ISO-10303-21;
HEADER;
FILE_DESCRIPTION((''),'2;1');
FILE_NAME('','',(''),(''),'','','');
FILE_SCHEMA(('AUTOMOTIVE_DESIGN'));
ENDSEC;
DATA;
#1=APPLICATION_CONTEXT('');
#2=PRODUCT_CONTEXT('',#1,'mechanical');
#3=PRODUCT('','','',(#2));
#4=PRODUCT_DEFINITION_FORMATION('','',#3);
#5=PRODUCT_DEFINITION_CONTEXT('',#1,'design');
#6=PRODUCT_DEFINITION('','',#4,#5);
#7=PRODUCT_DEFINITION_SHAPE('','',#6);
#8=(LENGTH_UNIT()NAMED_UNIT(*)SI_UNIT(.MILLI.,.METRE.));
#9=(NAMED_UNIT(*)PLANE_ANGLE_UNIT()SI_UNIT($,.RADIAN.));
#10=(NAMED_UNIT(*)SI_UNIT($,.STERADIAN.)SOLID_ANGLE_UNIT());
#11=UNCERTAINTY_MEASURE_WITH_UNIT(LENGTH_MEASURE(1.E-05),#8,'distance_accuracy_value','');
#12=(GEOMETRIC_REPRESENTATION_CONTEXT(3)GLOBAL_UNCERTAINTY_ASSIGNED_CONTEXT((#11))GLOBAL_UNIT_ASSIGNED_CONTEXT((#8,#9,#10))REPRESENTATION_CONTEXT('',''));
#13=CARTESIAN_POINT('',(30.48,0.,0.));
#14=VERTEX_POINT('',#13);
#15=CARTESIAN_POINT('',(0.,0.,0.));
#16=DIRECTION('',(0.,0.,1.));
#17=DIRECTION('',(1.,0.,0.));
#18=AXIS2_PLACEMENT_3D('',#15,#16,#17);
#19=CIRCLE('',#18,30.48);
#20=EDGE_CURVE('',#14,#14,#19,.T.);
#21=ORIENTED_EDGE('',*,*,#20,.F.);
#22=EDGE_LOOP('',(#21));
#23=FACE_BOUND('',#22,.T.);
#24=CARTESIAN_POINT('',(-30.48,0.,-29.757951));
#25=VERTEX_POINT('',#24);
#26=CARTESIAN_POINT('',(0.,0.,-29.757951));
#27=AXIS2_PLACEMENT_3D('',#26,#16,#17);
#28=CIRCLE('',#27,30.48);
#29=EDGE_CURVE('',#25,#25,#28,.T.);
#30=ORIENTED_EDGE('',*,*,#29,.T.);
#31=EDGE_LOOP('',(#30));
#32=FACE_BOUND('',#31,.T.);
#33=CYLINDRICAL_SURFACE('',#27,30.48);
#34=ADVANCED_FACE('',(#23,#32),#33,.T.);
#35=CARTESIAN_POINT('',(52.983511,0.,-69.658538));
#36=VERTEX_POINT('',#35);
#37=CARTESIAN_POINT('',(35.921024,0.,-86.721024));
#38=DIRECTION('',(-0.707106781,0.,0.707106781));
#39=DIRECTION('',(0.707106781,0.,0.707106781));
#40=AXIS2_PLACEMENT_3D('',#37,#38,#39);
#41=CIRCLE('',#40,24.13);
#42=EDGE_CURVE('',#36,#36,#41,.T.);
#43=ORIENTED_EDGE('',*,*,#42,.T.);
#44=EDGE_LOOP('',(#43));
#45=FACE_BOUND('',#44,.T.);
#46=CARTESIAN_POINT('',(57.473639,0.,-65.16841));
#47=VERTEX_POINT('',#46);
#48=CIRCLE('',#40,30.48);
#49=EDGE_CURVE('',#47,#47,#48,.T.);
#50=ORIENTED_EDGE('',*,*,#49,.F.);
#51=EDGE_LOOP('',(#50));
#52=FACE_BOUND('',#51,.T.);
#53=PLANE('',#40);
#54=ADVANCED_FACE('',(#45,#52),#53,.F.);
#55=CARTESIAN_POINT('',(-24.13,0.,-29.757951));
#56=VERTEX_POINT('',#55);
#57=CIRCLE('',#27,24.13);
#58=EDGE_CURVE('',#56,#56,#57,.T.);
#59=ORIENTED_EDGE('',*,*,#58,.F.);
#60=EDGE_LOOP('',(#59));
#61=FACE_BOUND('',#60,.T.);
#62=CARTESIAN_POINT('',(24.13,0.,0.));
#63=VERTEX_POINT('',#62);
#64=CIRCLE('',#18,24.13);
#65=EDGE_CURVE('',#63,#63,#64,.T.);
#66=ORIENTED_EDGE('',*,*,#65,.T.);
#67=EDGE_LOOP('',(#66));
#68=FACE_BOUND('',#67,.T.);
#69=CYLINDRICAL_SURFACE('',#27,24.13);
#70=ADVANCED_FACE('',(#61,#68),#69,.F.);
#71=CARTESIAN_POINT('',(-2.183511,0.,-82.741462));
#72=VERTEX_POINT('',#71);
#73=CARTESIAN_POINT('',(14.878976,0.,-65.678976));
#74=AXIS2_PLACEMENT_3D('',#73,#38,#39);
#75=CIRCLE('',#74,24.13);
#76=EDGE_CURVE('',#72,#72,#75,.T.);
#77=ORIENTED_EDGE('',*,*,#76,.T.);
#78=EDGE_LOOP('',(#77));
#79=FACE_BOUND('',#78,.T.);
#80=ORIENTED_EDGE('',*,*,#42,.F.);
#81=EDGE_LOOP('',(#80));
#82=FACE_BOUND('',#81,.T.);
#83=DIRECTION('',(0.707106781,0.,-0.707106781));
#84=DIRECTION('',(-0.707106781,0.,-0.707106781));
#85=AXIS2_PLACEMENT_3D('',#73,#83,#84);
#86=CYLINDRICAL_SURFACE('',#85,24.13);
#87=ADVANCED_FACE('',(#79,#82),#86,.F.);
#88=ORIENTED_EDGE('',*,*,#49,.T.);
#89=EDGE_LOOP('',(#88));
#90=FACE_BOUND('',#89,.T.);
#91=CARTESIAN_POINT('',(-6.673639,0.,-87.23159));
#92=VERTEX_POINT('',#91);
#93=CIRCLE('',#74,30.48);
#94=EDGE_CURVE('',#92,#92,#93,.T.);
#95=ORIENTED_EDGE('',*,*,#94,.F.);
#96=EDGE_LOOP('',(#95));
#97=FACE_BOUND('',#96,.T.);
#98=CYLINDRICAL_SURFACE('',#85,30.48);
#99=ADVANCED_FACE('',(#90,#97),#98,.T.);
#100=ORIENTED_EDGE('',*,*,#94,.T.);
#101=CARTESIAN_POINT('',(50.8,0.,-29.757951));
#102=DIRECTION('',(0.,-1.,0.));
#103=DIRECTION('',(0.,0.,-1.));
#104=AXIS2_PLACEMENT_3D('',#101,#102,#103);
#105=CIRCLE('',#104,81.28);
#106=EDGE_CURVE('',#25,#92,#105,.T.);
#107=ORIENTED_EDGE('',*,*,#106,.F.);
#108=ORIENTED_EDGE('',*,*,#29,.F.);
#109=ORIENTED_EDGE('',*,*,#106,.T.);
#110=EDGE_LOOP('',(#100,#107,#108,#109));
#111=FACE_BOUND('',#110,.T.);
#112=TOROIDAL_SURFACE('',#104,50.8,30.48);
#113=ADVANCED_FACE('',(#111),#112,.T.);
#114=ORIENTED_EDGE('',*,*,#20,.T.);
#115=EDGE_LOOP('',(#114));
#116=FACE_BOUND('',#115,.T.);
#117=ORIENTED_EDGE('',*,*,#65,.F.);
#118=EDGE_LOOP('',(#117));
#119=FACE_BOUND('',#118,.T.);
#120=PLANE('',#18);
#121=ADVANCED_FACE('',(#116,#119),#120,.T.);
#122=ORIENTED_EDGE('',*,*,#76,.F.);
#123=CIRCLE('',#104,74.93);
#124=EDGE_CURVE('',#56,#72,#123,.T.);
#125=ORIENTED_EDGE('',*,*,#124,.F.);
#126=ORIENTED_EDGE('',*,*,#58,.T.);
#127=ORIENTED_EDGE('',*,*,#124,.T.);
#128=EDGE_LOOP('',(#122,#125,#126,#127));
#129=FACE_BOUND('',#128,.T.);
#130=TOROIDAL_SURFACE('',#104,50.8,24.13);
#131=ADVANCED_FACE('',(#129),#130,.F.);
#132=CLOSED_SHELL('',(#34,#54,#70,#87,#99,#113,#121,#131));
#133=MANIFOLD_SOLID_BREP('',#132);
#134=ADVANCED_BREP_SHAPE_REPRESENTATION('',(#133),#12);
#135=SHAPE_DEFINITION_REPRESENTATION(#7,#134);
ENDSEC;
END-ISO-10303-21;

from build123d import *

# Parameters (mm, degrees)
SKETCH2_R   = 30.48
SKETCH2_R_2 = 24.13


with BuildPart() as part:
    # Sweep1: sweep along a path in Sketch1
    with BuildLine(Plane(origin=(0, 0, 0), x_dir=(1, 0, 0), z_dir=(0, 1, 0))) as sweep1_path:
        Line((0, 0), (0, 29.757951031))
        ThreePointArc((0, 29.757951031), (3.866919748, 49.198269396), (14.878975516, 65.678975516))
        Line((14.878975516, 65.678975516), (35.921024484, 86.721024484))
    # Sketch2 → Sweep1 (sweep)
    with BuildSketch(Plane.XY):
        Circle(SKETCH2_R)
        Circle(SKETCH2_R_2, mode=Mode.SUBTRACT)
    sweep(path=sweep1_path.line)


solid = part.part
